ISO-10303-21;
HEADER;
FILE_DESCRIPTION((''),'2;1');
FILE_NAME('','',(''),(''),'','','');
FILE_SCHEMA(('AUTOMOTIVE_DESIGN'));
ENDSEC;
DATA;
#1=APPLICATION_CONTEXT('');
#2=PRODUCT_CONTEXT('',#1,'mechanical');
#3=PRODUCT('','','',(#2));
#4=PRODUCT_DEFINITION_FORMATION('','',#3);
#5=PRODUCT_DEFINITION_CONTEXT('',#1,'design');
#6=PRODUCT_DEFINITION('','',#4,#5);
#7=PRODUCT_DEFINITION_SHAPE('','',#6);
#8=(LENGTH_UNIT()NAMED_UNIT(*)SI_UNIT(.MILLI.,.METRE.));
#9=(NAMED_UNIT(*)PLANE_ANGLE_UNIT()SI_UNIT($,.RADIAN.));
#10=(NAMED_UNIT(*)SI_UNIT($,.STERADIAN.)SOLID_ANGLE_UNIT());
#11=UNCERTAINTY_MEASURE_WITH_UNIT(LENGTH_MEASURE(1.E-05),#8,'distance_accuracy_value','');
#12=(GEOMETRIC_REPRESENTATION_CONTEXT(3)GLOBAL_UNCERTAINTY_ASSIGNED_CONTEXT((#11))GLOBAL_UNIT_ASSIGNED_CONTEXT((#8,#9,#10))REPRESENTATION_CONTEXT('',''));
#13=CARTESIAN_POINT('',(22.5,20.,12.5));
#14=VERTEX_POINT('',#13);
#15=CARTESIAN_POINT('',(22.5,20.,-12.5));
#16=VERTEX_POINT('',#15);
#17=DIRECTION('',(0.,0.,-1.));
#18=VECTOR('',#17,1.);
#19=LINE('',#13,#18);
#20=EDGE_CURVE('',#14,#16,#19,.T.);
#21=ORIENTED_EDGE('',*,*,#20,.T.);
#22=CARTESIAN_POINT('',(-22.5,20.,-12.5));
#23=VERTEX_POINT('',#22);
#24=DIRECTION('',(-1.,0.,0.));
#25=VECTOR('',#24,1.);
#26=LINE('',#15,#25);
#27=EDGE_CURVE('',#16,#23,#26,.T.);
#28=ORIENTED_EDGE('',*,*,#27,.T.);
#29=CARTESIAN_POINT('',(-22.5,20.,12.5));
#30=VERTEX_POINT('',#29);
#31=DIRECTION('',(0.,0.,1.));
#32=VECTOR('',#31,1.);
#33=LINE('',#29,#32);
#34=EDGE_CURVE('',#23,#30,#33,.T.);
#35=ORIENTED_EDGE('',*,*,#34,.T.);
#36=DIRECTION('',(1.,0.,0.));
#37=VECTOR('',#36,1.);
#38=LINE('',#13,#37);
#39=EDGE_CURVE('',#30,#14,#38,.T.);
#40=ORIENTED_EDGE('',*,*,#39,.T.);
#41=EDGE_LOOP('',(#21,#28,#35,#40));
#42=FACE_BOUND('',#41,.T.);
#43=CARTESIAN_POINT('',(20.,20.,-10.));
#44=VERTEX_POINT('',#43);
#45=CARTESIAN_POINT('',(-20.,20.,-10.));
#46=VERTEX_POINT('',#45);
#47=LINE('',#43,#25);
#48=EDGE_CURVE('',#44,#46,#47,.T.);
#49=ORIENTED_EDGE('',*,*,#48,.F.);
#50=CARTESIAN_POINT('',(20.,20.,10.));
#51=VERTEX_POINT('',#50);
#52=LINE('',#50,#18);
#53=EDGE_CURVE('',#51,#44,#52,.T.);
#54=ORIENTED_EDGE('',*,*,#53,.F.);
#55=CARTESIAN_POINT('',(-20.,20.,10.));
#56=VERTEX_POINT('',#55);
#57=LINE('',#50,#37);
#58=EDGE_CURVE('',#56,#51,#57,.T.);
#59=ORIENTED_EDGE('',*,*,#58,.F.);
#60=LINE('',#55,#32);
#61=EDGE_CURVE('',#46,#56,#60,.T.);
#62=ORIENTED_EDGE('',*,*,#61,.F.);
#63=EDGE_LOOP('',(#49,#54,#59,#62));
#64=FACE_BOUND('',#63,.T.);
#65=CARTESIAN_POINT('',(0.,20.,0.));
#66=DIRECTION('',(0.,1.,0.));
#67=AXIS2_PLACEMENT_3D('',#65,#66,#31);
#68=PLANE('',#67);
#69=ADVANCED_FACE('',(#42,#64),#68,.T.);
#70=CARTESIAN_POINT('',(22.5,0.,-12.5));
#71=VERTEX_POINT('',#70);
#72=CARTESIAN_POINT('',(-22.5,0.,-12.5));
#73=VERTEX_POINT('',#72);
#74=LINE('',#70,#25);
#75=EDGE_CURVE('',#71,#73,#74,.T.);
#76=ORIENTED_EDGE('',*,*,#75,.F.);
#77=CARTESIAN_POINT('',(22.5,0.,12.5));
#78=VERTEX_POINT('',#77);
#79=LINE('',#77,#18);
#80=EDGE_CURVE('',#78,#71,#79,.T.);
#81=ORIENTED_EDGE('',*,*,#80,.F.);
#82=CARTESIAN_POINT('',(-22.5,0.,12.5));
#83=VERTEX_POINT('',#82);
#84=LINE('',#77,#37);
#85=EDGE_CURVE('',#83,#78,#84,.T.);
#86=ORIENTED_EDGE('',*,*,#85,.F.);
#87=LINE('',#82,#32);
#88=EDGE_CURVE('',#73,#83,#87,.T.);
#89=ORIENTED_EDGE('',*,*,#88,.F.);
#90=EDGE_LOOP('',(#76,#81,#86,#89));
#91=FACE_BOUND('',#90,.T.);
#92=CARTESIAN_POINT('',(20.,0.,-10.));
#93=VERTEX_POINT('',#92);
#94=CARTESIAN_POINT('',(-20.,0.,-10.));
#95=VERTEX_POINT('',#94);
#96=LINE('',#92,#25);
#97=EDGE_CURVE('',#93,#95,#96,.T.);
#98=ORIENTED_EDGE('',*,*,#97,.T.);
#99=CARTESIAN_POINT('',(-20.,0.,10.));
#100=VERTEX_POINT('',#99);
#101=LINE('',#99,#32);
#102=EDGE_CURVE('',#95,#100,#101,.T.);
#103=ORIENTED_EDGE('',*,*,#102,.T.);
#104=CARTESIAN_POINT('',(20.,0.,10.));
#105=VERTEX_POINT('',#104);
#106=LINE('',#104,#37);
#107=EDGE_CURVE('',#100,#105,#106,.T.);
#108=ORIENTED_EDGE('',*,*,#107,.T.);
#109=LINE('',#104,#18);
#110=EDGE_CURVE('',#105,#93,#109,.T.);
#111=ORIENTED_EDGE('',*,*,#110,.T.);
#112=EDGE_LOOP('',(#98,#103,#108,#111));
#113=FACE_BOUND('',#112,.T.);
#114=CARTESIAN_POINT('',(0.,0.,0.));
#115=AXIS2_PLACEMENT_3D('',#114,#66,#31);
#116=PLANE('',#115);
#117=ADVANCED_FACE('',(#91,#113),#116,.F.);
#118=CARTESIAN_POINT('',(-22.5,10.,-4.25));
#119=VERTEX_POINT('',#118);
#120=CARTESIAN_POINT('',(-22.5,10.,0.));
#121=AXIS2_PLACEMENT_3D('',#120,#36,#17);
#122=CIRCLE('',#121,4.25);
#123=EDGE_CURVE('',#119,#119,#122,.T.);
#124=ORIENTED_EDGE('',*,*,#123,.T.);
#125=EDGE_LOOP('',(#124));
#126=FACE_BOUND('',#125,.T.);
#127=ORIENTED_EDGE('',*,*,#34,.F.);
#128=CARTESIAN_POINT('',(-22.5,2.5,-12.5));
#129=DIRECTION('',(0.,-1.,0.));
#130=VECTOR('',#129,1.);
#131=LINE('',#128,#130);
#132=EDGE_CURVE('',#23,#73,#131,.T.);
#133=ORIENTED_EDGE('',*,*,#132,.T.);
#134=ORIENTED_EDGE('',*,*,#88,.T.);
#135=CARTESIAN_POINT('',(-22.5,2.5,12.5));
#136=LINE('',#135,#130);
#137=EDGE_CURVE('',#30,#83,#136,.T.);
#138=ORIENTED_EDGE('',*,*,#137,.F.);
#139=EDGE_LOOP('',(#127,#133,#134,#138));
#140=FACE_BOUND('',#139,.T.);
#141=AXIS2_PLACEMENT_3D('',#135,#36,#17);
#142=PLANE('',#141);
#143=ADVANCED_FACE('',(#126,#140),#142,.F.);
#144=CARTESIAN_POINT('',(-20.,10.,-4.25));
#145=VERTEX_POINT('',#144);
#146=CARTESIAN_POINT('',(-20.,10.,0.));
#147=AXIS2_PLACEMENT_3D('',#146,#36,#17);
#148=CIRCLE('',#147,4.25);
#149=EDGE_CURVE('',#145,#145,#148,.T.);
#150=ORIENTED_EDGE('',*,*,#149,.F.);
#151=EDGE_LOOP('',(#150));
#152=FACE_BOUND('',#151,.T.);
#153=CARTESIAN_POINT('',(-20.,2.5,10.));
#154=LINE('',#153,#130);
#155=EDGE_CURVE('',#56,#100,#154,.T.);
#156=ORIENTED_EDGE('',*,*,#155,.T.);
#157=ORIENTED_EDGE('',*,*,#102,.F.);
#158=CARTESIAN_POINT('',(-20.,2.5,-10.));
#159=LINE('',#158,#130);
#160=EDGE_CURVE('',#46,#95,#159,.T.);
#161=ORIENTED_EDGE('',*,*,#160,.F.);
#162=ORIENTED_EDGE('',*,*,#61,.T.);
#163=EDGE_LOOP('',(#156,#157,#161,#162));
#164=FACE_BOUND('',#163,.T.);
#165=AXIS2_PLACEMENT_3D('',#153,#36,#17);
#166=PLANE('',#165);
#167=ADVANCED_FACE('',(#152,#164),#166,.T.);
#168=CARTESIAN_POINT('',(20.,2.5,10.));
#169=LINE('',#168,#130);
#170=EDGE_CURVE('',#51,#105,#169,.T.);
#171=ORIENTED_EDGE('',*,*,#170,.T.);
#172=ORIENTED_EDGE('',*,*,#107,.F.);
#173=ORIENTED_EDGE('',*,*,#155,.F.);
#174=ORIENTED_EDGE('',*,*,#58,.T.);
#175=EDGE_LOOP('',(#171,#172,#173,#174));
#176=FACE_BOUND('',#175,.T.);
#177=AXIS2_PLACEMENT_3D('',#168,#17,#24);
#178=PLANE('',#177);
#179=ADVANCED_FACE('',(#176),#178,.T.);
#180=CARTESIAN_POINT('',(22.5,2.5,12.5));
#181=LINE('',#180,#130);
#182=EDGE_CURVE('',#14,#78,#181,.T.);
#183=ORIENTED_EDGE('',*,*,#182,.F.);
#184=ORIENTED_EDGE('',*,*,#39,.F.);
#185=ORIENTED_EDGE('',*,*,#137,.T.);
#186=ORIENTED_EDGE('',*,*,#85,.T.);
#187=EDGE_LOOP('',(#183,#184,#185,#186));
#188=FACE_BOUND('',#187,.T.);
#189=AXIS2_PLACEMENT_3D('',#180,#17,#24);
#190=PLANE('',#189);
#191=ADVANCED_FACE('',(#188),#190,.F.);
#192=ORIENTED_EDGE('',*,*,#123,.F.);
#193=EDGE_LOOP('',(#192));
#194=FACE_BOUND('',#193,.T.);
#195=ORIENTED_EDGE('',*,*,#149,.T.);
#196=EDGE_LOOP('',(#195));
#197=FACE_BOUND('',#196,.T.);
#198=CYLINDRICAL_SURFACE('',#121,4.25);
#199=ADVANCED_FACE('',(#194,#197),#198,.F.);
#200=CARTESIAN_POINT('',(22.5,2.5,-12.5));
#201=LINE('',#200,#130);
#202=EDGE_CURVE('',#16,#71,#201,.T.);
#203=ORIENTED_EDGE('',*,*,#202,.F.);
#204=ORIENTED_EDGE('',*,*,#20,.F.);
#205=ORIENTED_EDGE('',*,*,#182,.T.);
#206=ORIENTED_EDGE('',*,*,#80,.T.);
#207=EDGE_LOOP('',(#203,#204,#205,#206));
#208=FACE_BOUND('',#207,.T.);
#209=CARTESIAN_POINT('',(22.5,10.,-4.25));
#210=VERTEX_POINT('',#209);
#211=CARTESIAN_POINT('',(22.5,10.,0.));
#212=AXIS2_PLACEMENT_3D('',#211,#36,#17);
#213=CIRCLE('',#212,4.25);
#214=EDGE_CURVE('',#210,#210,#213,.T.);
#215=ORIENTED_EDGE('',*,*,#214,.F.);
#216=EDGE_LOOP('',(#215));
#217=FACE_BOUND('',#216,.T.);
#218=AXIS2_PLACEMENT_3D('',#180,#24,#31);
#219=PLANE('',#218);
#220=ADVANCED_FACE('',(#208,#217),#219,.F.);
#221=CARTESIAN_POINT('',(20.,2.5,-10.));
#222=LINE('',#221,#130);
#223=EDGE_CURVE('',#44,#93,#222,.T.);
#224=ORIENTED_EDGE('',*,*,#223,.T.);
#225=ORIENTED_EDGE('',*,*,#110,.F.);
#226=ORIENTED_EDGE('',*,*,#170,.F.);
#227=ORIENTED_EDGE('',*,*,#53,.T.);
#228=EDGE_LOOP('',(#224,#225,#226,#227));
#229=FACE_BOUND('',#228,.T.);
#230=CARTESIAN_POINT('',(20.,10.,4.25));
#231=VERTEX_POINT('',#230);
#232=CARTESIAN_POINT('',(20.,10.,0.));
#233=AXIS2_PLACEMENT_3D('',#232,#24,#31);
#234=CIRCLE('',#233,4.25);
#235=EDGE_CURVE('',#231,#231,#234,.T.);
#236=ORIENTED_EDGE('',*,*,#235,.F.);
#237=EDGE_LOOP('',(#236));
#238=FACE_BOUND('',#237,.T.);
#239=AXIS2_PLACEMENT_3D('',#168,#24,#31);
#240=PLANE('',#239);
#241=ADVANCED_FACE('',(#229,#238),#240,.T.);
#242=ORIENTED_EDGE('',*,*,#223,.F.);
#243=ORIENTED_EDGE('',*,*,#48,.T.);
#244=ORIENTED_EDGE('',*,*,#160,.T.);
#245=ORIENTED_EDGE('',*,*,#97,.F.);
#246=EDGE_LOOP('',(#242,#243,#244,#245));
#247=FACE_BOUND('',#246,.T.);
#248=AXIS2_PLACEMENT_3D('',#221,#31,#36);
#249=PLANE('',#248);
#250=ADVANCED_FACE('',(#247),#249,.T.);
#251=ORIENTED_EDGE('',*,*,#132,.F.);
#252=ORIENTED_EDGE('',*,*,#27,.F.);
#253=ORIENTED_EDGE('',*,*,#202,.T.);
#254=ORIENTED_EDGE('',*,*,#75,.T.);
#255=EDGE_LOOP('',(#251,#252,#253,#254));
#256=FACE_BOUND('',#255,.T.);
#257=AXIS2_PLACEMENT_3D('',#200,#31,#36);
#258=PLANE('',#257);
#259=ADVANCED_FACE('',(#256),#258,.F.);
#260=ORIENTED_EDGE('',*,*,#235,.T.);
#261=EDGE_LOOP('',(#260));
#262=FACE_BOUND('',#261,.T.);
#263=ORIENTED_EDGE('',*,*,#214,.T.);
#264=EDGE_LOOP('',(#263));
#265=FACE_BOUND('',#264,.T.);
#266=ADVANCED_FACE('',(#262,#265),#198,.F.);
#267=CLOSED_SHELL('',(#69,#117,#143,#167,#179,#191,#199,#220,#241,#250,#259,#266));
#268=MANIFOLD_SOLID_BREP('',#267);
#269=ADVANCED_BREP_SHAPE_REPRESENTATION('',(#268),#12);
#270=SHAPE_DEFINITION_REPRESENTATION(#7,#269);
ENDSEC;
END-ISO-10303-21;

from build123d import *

# Parameters (mm, degrees)
SKETCH1_W           = 45
SKETCH1_H           = 25
SKETCH1_W_2         = 40
SKETCH1_H_2         = 20
BOSS_EXTRUDE1_DEPTH = 2.5
SKETCH2_W           = 45
SKETCH2_H           = 25
SKETCH2_W_2         = 40
SKETCH2_H_2         = 20
BOSS_EXTRUDE2_DEPTH = 17.5
SKETCH3_R           = 4.25
CUT_EXTRUDE1_DEPTH  = 46


with BuildPart() as part:
    # Sketch1 → Boss-Extrude1 (new body)
    with BuildSketch(Plane(origin=(0, 0, 0), x_dir=(1, 0, 0), z_dir=(0, 1, 0))):
        Rectangle(SKETCH1_W, SKETCH1_H)
        Rectangle(SKETCH1_W_2, SKETCH1_H_2, mode=Mode.SUBTRACT)
    extrude(amount=BOSS_EXTRUDE1_DEPTH)

    # Sketch2 → Boss-Extrude2 (add)
    with BuildSketch(Plane(origin=(0, 2.5, 0), x_dir=(1, 0, 0), z_dir=(0, 1, 0))):
        Rectangle(SKETCH2_W, SKETCH2_H)
        Rectangle(SKETCH2_W_2, SKETCH2_H_2, mode=Mode.SUBTRACT)
    extrude(amount=BOSS_EXTRUDE2_DEPTH)

    # Sketch3 → Cut-Extrude1 (cut, through all)
    with BuildSketch(Plane(origin=(22.5, 0, 0), x_dir=(0, 0, -1), z_dir=(1, 0, 0))):
        with Locations((0, 10)):
            Circle(SKETCH3_R)
    extrude(amount=-CUT_EXTRUDE1_DEPTH, mode=Mode.SUBTRACT)


solid = part.part
